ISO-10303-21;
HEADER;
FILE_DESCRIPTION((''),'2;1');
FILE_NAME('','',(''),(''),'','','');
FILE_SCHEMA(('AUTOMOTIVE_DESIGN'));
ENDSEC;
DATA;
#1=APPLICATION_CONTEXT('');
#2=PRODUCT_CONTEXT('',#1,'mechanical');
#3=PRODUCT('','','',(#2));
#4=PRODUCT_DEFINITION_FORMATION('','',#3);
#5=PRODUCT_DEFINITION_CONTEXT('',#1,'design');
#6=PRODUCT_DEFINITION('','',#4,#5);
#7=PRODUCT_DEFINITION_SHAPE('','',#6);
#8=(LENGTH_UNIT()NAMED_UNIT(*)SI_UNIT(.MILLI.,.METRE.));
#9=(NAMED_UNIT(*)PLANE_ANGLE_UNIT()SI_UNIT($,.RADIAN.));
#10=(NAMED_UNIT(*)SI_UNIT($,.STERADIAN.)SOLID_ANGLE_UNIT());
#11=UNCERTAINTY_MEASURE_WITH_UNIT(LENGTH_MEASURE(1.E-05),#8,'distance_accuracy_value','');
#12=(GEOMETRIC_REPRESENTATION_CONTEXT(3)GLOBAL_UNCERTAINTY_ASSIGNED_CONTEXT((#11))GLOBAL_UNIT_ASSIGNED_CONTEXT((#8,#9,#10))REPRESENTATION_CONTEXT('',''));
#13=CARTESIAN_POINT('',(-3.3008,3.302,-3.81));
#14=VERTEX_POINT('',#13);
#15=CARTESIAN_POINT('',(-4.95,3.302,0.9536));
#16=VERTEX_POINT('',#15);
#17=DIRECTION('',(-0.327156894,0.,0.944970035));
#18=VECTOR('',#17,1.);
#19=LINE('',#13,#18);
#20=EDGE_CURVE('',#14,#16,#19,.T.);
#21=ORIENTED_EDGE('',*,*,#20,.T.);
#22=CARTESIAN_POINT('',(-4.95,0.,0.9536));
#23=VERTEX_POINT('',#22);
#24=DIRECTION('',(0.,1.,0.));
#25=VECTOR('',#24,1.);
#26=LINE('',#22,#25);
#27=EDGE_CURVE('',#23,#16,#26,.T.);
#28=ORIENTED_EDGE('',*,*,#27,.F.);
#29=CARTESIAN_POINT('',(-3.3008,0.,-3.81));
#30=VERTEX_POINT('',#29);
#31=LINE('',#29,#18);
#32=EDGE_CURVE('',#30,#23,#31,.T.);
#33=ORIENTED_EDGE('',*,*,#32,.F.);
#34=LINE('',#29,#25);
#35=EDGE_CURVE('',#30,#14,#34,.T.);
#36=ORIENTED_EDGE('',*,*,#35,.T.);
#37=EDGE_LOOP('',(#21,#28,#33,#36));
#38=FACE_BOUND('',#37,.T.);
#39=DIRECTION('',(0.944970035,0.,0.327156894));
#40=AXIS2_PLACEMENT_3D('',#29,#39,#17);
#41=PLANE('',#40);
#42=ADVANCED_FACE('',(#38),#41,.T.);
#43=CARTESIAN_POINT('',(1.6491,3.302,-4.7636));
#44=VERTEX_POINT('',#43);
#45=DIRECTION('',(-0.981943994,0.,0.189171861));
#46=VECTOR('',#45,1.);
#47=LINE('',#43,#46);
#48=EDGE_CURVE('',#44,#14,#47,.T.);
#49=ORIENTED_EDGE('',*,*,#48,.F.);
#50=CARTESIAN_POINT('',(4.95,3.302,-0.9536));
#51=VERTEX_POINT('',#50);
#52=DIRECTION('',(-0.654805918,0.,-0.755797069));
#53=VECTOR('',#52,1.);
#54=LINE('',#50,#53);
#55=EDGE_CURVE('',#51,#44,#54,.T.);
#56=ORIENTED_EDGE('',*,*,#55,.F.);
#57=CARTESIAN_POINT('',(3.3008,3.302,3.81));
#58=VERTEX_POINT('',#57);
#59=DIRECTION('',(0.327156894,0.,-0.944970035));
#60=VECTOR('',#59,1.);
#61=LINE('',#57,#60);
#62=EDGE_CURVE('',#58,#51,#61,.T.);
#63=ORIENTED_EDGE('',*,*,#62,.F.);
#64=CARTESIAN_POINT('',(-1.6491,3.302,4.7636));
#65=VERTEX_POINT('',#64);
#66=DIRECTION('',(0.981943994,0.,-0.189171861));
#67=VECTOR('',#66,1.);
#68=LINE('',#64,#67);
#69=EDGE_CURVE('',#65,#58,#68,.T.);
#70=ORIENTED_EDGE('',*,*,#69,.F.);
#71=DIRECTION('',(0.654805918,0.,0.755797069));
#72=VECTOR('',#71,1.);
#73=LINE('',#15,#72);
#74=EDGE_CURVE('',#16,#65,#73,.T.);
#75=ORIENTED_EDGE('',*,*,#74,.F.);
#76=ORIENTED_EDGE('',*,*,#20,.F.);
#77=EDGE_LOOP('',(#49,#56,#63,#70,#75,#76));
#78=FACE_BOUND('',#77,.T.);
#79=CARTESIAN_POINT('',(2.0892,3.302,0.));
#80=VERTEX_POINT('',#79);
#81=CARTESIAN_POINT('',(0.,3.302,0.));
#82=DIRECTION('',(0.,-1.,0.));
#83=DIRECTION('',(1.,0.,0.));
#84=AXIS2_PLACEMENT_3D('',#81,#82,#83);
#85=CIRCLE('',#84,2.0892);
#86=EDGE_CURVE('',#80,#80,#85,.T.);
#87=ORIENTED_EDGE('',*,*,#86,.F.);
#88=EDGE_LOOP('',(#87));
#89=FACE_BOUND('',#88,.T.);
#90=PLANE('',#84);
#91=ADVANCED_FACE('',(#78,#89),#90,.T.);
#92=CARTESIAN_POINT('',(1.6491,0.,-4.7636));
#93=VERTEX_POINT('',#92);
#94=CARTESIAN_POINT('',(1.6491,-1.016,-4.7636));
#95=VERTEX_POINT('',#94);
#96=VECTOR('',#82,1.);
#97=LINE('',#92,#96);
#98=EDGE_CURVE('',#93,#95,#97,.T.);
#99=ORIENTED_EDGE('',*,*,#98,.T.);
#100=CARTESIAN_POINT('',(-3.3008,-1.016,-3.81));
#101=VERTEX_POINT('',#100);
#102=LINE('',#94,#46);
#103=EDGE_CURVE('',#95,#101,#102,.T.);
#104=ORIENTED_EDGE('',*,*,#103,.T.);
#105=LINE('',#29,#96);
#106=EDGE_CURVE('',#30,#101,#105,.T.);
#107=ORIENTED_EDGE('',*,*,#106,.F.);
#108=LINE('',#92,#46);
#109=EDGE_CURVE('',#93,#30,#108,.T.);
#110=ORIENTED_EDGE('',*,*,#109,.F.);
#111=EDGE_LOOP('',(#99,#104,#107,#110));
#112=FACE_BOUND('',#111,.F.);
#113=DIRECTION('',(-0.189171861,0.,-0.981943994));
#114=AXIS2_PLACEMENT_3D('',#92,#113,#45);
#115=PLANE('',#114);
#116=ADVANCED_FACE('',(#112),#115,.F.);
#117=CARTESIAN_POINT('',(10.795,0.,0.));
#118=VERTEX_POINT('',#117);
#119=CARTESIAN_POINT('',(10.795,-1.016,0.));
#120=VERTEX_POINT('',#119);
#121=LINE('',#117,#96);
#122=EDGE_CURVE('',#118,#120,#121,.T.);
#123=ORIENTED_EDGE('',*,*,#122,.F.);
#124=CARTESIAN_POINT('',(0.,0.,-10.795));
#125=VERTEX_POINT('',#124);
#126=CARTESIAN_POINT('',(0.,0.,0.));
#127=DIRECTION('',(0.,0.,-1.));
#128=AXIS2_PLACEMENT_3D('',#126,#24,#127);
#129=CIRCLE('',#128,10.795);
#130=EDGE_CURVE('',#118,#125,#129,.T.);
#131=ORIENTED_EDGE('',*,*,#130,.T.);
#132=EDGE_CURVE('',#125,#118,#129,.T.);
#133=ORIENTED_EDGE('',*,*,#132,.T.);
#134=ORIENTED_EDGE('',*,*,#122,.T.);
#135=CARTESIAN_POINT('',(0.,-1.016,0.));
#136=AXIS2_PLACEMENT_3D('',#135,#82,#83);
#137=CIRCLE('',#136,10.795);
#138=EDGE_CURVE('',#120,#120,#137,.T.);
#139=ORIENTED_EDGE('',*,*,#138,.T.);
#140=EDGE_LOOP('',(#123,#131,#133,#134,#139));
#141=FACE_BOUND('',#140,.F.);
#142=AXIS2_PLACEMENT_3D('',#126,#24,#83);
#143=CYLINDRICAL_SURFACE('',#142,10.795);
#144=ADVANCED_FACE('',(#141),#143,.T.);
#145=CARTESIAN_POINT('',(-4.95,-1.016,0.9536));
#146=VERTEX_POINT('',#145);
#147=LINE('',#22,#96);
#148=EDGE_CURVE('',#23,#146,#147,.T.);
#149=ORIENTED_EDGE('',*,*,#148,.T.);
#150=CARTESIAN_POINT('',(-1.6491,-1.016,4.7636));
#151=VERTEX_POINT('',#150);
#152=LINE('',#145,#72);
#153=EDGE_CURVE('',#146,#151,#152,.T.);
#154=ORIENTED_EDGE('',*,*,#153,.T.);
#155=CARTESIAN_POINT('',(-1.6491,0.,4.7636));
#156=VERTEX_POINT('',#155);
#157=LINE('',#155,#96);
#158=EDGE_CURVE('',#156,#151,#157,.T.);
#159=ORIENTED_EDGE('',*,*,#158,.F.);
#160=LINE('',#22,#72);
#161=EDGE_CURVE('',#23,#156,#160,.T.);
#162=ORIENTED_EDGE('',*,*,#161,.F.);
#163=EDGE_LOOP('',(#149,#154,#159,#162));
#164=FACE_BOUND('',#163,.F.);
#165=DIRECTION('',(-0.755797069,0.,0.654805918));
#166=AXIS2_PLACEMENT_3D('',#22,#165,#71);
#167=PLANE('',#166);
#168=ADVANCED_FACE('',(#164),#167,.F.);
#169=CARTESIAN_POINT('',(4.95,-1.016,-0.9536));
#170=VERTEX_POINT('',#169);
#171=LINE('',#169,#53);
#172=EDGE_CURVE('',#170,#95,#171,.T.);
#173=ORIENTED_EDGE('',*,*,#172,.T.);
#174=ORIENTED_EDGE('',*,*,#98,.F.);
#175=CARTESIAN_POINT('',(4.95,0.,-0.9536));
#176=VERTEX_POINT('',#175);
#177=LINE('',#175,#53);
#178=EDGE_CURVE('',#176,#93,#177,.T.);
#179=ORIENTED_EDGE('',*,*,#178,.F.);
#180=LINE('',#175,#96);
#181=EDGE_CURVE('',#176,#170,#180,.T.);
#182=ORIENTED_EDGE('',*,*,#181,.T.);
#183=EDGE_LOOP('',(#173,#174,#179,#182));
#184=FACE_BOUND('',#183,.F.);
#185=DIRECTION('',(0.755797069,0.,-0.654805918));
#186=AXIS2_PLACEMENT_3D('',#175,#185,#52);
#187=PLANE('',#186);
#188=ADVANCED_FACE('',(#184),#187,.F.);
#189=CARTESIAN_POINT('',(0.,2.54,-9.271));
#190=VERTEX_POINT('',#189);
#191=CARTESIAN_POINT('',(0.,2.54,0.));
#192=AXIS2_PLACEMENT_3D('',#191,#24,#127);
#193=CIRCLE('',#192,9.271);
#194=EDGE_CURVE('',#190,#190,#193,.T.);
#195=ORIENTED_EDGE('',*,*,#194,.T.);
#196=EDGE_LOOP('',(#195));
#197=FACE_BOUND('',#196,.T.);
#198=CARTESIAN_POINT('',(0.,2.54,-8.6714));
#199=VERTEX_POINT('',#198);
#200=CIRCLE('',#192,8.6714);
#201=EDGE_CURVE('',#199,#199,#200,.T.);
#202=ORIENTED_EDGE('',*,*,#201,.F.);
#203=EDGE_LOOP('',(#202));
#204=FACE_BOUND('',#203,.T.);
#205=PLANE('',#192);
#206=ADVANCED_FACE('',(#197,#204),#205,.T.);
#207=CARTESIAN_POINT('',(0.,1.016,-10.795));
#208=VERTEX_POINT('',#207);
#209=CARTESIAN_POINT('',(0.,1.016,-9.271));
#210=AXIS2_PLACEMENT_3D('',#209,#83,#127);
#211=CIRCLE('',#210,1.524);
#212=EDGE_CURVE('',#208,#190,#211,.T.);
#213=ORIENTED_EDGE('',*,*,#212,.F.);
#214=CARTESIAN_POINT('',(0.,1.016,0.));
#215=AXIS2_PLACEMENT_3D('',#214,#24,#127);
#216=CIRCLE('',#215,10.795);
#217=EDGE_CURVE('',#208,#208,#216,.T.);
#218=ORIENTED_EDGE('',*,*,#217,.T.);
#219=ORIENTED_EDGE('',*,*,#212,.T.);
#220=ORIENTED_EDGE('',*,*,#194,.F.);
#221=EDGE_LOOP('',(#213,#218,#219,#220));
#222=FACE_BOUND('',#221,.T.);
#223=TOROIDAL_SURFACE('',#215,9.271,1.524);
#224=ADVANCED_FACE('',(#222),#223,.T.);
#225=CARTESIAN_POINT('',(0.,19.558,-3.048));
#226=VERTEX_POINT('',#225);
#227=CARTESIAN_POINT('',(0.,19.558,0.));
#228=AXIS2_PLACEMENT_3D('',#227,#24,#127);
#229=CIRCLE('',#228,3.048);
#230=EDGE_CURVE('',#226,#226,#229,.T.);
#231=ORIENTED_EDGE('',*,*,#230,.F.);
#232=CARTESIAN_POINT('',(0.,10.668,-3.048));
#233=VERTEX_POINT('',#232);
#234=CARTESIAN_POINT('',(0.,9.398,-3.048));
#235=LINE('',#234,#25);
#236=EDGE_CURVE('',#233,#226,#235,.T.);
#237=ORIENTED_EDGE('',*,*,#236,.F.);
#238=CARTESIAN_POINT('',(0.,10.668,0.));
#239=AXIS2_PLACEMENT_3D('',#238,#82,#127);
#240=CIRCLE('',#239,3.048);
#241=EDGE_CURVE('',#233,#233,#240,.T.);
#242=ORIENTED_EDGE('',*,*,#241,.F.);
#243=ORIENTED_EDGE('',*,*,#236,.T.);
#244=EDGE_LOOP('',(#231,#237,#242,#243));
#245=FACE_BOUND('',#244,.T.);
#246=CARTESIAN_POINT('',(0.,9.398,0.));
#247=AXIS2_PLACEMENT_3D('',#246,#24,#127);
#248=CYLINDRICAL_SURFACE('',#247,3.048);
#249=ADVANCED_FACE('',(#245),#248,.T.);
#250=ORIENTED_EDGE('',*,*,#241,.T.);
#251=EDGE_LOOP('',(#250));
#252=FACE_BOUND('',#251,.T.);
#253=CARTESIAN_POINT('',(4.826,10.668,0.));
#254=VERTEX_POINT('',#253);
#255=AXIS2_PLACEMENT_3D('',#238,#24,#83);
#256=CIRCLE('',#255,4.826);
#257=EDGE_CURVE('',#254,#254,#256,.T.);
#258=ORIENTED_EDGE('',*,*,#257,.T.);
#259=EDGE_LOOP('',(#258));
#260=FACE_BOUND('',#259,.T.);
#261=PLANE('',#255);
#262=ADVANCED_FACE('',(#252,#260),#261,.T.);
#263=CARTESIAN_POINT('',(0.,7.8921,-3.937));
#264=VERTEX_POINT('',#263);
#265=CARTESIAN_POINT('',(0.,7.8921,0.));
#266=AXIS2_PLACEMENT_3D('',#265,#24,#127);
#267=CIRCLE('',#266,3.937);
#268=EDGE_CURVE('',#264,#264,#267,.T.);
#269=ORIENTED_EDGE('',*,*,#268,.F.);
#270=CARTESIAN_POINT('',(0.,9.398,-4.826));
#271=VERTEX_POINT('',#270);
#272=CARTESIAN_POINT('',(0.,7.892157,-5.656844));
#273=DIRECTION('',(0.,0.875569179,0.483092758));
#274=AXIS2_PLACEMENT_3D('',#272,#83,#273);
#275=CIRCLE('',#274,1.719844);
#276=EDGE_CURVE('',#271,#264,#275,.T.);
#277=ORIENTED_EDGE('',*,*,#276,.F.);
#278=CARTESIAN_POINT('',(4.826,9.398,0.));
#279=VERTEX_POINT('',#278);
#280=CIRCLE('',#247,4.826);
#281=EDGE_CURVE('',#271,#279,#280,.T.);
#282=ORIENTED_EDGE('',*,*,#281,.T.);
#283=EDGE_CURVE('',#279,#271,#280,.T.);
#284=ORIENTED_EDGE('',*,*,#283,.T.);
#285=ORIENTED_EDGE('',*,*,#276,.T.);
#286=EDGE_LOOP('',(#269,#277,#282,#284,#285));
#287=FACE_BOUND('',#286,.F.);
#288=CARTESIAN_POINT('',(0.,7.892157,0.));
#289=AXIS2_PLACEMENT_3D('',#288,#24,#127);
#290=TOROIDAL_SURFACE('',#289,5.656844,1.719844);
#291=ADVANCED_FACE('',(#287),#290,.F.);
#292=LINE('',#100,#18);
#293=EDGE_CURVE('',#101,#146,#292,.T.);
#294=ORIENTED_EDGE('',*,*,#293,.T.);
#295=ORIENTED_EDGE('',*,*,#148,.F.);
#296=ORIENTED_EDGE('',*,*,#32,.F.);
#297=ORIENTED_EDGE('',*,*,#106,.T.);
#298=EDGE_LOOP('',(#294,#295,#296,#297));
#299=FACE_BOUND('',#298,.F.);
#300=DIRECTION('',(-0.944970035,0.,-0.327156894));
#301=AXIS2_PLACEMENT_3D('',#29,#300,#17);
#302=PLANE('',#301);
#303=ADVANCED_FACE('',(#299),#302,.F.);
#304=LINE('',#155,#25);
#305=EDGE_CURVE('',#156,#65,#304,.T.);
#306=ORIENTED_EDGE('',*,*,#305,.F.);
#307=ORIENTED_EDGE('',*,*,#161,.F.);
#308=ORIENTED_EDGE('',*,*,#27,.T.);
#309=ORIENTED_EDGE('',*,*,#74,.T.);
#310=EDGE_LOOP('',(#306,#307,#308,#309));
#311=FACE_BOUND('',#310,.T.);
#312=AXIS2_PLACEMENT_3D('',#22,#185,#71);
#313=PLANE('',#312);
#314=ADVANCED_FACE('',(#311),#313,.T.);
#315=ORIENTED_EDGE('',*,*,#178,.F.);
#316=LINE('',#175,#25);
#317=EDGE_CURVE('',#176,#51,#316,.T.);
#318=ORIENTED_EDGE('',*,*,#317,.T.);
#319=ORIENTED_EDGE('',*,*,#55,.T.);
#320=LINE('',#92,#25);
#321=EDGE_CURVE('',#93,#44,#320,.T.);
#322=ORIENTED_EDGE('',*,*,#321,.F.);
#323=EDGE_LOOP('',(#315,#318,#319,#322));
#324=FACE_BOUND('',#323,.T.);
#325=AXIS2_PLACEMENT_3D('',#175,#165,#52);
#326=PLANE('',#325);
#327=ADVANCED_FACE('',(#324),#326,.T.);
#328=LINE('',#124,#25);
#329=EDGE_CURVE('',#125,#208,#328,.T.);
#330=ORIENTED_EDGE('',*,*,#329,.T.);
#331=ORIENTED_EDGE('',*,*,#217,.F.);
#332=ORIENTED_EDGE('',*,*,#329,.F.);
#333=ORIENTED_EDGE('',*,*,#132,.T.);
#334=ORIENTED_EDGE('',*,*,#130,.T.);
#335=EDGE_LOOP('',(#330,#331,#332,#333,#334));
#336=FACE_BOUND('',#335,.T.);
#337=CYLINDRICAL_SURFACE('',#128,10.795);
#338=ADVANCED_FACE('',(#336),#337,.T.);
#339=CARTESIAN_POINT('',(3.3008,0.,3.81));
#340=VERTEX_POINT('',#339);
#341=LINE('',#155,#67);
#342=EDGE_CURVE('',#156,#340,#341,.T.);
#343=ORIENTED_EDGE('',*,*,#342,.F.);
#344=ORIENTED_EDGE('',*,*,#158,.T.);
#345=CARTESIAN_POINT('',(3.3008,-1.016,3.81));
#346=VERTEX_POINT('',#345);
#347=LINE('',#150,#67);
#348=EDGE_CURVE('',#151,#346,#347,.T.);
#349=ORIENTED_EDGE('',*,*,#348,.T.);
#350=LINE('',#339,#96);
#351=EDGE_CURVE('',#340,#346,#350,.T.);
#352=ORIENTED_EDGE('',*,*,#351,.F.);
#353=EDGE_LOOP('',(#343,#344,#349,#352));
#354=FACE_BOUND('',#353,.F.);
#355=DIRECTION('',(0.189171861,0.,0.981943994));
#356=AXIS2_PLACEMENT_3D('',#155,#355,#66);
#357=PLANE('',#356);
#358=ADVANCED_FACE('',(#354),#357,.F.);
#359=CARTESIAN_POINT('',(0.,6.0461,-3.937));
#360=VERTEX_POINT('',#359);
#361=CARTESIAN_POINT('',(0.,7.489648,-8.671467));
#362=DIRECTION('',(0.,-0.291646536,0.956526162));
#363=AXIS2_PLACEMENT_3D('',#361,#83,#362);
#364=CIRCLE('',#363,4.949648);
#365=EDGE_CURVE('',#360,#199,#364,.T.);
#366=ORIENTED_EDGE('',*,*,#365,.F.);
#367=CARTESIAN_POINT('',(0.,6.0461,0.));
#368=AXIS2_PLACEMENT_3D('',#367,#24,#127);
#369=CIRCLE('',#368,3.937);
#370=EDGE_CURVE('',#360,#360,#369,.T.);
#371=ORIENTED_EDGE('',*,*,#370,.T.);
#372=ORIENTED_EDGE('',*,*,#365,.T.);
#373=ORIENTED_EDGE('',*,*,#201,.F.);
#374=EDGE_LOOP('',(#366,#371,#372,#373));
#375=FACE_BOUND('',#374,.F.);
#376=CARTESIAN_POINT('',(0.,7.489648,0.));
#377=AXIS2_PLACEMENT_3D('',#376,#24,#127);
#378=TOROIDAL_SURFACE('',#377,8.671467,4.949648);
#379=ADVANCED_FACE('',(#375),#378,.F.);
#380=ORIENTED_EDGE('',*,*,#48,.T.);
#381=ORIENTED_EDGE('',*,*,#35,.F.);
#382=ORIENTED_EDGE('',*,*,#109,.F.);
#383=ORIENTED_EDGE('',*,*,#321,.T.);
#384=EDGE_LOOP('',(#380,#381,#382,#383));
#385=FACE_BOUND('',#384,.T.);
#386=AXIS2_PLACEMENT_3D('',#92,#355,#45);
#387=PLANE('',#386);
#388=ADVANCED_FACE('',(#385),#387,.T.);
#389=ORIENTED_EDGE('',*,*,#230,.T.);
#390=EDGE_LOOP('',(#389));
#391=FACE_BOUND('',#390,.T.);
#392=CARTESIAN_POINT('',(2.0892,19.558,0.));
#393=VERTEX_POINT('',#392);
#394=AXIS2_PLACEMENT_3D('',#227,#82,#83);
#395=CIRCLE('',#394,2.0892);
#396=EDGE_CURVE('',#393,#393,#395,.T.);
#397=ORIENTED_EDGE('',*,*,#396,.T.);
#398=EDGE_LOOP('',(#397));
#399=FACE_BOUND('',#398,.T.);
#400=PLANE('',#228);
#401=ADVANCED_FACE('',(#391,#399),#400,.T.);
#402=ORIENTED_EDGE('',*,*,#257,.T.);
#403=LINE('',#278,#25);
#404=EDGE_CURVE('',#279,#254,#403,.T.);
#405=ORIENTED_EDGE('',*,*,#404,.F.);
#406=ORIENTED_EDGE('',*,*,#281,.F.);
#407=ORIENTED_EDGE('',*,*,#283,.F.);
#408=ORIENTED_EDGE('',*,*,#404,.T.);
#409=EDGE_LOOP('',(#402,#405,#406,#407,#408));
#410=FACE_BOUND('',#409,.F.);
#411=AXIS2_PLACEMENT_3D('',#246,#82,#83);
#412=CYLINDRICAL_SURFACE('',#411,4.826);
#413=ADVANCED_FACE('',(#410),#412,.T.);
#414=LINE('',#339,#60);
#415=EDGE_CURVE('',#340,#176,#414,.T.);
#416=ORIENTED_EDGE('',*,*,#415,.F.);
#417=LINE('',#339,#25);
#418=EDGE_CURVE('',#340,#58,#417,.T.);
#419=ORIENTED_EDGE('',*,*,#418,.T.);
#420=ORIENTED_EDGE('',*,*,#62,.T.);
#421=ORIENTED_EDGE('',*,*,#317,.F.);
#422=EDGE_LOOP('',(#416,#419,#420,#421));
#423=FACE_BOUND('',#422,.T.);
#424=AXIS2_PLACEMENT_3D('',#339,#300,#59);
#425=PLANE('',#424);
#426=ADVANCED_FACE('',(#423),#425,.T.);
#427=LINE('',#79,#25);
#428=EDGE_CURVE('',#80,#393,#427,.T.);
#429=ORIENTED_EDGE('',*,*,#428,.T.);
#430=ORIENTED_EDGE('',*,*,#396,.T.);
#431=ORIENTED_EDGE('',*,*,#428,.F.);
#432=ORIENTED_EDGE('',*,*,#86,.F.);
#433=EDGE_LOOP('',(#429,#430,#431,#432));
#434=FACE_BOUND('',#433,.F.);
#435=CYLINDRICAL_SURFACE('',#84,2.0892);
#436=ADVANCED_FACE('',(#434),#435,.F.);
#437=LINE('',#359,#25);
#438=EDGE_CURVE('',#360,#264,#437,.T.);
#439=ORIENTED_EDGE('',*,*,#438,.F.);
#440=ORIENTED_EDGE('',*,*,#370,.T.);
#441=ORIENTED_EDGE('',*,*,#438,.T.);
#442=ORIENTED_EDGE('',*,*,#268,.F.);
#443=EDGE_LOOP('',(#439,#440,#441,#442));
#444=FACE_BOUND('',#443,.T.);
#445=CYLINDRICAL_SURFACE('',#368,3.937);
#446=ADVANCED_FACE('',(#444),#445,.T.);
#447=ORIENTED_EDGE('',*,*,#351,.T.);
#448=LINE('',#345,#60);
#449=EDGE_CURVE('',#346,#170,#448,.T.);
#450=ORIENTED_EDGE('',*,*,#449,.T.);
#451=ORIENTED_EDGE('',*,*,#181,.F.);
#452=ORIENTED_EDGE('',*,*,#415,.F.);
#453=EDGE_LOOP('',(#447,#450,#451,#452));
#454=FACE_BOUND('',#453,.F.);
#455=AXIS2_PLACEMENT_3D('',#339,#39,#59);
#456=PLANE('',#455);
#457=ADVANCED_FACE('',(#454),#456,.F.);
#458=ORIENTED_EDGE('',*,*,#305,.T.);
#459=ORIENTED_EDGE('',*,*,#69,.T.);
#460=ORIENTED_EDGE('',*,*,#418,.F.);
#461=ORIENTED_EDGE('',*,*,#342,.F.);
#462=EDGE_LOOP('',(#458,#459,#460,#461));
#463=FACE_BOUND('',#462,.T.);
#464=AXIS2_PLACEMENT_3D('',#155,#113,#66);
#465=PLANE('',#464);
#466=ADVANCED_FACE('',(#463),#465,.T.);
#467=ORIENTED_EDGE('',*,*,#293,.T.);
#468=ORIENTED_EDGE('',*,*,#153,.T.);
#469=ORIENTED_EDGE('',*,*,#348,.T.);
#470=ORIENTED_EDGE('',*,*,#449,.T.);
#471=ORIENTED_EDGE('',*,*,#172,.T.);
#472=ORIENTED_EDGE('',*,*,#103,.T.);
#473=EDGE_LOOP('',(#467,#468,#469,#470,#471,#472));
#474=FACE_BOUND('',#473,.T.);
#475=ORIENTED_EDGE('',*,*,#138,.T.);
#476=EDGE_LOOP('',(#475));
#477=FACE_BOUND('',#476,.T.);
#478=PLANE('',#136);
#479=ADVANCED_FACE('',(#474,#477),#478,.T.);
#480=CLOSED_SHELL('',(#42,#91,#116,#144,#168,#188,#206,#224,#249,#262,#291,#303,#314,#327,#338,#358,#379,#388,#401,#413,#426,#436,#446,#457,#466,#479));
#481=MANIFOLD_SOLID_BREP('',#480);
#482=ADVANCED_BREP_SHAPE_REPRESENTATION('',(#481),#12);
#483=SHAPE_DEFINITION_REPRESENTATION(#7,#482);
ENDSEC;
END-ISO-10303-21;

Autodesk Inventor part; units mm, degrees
ref_plane "YZ Plane" through (0, 0, 0) normal (1, 0, 0) x (0, 1, 0)
ref_plane "XZ Plane" through (0, 0, 0) normal (0, 1, 0) x (-1, 0, 0)
ref_plane "XY Plane" through (0, 0, 0) normal (0, 0, 1) x (1, 0, 0)
sketch "Sketch1" plane through (0, 0, 0) normal (1, 0, 0) x (0, 1, 0)
  line L0 (0, 0) -> (0, -10.795)
  line L1 (0, -10.795) -> (2.54, -10.795)
  line L2 (0, 0) -> (12.7, 0)
  line L3 (2.54, -10.795) -> (2.54, -9.9414)
  line L4 (2.54, -9.9414) -> (2.54, -8.6714)
  line L5 (14.986, -3.937) -> (1.8235, -3.937) construction
  arc A0 (6.0461, -3.937) -> (2.54, -8.6714) centre (7.4896, -8.6714) ccw
  line L6 (9.398, -3.048) -> (9.398, -4.826)
  line L7 (6.0461, -3.937) -> (7.8921, -3.937)
  arc A1 (9.398, -4.826) -> (7.8921, -3.937) centre (7.8921, -5.6569) ccw
  line L8 (19.558, 0) -> (0, 0)
  line L9 (9.398, -3.048) -> (19.558, -3.048)
  line L10 (19.558, -3.048) -> (19.558, 0)
  dimension "d0" = 10.795
  dimension "d1" = 2.54
  dimension "d2" = 12.7
  dimension "d5" = 3.937
  dimension "d6" = 1.27
  dimension "d7" = 4.9496
  dimension "d18" = 4.826
  dimension "d19" = 1.7199
  dimension "d24" = 9.398
  dimension "d25" = 10.16
  dimension "d26" = 3.048
  dimension "d27" = 4.572
  dimension "d28" = 5.6234
  dimension "d29" = 17.7345
revolve "Revolution1" add sketch "Sketch1" angle 360 about axis through (0, 0, 0) along (0, 1, 0)
sketch "Sketch2" plane through (0, 0, 0) normal (0, -1, 0) x (1, 0, 0)
  circle A0 centre (0, 0) radius 3.048 projected
  line L0 (4.95, -0.9536) -> (1.6491, -4.7636)
  line L1 (1.6491, -4.7636) -> (-3.3008, -3.81)
  line L2 (-3.3008, -3.81) -> (-4.95, 0.9536)
  line L3 (-4.95, 0.9536) -> (-1.6491, 4.7636)
  line L4 (-1.6491, 4.7636) -> (3.3008, 3.81)
  line L5 (3.3008, 3.81) -> (4.95, -0.9536)
  dimension "d11" = 8.7312
  dimension "d12" = 7.62
extrude "Extrusion1" cut sketch "Sketch2" against normal blind 3.302 contours A0 | L0 L1 L2 L3 L4 L5
sketch "Sketch3" plane through (0, 3.302, 0) normal (0, -1, 0) x (1, 0, 0)
  circle A0 centre (0, 0) radius 2.0892
  dimension "d15" = 4.1783
extrude "Extrusion2" cut sketch "Sketch3" against normal up to surface (16.256 mm away)
sketch "Sketch5" plane through (0, 9.398, 0) normal (0, 1, 0) x (1, 0, 0)
  circle A0 centre (0, 0) radius 4.826 projected
  circle A1 centre (0, 0) radius 3.048 projected
extrude "Extrusion5" add sketch "Sketch5" along normal blind 1.27
sketch "Sketch6" plane through (0, 0, 0) normal (0, -1, 0) x (1, 0, 0)
  circle A0 centre (0, 0) radius 10.795 projected
  line L0 (3.3008, 3.81) -> (4.95, -0.9536) projected
  line L1 (4.95, -0.9536) -> (1.6491, -4.7636) projected
  line L2 (1.6491, -4.7636) -> (-3.3008, -3.81) projected
  line L3 (-3.3008, -3.81) -> (-4.95, 0.9536) projected
  line L4 (-4.95, 0.9536) -> (-1.6491, 4.7636) projected
  line L5 (-1.6491, 4.7636) -> (3.3008, 3.81) projected
extrude "Extrusion6" add sketch "Sketch6" along normal blind 1.016
fillet "Fillet1" radius 1.524 1 edges at (0, 2.54, 10.795)
properties part number "_3DPrint"
